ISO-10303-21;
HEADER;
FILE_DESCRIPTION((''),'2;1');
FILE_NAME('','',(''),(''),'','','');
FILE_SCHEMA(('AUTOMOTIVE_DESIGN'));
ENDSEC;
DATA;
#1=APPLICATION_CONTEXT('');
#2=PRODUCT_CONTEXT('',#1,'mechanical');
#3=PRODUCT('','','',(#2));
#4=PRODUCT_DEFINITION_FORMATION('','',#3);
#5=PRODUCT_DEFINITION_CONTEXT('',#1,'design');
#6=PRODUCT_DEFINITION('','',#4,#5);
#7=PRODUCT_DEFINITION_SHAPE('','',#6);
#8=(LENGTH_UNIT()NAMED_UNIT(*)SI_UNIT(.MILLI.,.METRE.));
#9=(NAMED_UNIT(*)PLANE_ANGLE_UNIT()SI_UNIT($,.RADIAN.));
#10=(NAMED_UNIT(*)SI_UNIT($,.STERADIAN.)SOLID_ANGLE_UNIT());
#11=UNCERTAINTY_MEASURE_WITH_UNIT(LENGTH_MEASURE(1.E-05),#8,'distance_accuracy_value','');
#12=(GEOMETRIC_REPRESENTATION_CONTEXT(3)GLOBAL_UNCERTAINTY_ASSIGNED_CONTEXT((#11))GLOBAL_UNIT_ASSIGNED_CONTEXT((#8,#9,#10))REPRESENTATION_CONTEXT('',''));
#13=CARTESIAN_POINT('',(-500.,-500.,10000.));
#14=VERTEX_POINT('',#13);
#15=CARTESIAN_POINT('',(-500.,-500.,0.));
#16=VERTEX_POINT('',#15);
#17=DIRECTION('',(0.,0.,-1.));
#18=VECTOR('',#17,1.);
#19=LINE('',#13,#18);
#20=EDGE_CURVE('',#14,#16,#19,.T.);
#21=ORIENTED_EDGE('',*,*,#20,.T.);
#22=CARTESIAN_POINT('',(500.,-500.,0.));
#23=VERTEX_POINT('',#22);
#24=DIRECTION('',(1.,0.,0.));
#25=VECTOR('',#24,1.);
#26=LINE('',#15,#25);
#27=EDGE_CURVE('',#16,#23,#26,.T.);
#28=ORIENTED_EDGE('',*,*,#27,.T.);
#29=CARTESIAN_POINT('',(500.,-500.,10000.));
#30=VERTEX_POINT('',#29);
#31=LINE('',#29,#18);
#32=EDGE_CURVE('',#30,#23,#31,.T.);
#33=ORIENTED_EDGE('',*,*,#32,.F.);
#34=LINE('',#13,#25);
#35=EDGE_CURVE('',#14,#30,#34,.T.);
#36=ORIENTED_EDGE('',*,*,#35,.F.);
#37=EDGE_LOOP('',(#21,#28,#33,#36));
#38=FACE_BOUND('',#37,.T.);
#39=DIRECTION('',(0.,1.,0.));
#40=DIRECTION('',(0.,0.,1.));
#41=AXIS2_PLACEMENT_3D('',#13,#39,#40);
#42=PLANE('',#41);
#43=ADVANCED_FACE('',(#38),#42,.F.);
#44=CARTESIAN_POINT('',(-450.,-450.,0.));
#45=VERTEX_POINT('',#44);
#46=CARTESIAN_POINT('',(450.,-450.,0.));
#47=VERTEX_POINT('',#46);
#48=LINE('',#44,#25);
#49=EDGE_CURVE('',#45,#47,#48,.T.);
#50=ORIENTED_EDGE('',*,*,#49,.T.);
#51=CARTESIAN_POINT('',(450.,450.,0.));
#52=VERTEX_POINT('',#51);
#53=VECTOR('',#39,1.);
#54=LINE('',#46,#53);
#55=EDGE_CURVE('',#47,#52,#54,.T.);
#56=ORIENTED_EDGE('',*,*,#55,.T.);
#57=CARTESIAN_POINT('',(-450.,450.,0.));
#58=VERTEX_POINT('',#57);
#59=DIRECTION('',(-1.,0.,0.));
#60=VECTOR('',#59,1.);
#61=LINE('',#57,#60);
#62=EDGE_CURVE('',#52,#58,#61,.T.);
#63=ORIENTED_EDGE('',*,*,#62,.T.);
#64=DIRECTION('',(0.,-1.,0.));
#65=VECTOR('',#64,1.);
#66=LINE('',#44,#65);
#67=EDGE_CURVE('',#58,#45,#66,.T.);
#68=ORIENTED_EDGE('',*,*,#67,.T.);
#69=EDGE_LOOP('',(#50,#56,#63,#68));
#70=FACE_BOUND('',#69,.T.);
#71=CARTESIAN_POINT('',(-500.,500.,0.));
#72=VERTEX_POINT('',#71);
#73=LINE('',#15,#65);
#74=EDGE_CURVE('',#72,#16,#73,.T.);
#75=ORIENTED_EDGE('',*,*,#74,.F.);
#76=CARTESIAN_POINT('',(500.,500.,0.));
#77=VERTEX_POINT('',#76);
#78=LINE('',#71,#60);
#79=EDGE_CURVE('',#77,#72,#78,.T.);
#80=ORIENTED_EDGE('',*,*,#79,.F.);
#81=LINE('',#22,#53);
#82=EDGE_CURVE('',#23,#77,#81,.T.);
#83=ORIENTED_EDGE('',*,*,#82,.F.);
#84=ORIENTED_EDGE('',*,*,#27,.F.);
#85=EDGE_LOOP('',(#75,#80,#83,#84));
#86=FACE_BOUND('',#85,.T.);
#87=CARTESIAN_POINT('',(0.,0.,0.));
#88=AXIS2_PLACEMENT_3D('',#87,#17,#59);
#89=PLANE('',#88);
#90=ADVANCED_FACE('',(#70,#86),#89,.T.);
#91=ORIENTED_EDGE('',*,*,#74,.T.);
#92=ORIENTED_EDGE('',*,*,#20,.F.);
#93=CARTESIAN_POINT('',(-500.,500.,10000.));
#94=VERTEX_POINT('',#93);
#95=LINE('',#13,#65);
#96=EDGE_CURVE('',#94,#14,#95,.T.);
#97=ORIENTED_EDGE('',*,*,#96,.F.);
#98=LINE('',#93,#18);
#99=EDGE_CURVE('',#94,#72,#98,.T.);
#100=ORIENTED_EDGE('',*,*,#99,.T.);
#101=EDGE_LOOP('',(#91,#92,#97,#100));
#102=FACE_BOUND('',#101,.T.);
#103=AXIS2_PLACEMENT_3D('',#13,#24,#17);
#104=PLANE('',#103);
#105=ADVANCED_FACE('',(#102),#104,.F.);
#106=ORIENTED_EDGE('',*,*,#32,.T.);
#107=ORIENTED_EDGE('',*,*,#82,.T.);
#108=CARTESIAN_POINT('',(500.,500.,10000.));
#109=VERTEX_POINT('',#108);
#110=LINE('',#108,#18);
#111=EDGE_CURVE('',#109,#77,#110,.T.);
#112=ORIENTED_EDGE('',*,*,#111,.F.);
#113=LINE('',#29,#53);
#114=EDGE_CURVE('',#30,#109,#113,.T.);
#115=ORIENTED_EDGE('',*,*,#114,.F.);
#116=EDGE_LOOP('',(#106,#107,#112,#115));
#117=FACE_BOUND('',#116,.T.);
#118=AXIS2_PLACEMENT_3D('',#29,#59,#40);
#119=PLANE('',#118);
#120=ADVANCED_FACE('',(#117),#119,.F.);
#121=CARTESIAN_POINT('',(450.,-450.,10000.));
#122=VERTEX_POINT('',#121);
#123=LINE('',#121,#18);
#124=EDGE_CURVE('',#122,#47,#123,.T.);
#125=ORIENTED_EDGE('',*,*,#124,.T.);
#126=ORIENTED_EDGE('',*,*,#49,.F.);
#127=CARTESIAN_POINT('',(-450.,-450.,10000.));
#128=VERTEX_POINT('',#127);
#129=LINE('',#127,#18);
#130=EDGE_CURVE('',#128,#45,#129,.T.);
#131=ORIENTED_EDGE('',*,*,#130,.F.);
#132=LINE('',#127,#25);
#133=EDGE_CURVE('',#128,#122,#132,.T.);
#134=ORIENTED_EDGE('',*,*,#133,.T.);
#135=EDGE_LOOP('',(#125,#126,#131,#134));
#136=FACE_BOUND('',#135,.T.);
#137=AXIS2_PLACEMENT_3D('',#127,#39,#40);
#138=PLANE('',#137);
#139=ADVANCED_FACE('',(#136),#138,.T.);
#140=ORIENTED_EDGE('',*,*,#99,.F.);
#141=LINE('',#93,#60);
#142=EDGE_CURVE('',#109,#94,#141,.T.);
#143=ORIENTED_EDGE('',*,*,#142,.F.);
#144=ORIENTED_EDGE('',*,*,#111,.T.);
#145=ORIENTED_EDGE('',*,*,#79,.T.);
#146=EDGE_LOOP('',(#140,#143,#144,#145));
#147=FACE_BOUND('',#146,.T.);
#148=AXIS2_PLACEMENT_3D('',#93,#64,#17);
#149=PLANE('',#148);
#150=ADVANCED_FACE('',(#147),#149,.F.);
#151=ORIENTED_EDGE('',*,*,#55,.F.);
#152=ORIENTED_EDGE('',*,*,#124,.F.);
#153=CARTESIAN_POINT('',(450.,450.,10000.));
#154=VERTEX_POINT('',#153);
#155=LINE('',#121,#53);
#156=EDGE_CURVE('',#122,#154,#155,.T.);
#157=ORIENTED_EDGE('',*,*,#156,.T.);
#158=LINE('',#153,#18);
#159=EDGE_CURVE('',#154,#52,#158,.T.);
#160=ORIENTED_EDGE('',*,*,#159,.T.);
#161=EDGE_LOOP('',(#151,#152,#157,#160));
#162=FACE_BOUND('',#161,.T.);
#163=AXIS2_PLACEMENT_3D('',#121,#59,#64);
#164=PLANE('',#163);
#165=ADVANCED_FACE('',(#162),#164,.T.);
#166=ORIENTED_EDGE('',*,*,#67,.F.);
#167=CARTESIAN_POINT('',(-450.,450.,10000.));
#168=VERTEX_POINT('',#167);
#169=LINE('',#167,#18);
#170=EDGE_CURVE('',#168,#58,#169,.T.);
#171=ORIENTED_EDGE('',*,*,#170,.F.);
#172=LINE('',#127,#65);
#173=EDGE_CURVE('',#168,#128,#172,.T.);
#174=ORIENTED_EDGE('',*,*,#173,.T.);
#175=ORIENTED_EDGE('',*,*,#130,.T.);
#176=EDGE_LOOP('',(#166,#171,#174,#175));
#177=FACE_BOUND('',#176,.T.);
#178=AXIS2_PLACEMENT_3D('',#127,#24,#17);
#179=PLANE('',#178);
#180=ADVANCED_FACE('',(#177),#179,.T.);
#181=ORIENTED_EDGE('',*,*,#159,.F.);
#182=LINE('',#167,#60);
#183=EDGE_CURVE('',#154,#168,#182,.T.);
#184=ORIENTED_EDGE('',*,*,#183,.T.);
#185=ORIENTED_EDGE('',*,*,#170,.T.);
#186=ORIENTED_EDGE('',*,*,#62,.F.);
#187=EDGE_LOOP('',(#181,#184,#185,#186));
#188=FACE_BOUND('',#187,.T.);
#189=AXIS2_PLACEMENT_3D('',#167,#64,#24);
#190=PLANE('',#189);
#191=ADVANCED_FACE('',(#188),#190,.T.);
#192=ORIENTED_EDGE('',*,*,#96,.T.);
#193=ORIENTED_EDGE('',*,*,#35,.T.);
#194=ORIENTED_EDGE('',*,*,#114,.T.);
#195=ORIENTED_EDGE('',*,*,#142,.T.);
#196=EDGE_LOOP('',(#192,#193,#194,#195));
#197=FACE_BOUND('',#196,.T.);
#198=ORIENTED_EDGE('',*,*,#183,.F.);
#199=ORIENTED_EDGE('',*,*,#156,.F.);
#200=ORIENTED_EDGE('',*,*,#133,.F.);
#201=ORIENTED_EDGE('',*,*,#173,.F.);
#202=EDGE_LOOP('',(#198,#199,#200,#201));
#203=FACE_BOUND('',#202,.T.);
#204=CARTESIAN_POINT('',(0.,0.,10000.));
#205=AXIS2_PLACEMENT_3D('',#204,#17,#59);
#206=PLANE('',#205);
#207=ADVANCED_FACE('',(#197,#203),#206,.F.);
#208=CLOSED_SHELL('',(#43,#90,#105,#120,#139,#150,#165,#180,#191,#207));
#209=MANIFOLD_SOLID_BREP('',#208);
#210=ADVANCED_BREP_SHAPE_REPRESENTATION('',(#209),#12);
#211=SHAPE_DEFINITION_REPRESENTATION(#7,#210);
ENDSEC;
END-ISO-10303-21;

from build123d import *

# Parameters (mm, degrees)
ESQUISSE1_W        = 1000
ESQUISSE1_H        = 1000
ESQUISSE1_W_2      = 900
ESQUISSE1_H_2      = 900
BOSS_EXTRU_1_DEPTH = 10000


with BuildPart() as part:
    # Esquisse1 → Boss.-Extru.1 (new body)
    with BuildSketch(Plane.XY):
        Rectangle(ESQUISSE1_W, ESQUISSE1_H)
        Rectangle(ESQUISSE1_W_2, ESQUISSE1_H_2, mode=Mode.SUBTRACT)
    extrude(amount=BOSS_EXTRU_1_DEPTH)


solid = part.part
